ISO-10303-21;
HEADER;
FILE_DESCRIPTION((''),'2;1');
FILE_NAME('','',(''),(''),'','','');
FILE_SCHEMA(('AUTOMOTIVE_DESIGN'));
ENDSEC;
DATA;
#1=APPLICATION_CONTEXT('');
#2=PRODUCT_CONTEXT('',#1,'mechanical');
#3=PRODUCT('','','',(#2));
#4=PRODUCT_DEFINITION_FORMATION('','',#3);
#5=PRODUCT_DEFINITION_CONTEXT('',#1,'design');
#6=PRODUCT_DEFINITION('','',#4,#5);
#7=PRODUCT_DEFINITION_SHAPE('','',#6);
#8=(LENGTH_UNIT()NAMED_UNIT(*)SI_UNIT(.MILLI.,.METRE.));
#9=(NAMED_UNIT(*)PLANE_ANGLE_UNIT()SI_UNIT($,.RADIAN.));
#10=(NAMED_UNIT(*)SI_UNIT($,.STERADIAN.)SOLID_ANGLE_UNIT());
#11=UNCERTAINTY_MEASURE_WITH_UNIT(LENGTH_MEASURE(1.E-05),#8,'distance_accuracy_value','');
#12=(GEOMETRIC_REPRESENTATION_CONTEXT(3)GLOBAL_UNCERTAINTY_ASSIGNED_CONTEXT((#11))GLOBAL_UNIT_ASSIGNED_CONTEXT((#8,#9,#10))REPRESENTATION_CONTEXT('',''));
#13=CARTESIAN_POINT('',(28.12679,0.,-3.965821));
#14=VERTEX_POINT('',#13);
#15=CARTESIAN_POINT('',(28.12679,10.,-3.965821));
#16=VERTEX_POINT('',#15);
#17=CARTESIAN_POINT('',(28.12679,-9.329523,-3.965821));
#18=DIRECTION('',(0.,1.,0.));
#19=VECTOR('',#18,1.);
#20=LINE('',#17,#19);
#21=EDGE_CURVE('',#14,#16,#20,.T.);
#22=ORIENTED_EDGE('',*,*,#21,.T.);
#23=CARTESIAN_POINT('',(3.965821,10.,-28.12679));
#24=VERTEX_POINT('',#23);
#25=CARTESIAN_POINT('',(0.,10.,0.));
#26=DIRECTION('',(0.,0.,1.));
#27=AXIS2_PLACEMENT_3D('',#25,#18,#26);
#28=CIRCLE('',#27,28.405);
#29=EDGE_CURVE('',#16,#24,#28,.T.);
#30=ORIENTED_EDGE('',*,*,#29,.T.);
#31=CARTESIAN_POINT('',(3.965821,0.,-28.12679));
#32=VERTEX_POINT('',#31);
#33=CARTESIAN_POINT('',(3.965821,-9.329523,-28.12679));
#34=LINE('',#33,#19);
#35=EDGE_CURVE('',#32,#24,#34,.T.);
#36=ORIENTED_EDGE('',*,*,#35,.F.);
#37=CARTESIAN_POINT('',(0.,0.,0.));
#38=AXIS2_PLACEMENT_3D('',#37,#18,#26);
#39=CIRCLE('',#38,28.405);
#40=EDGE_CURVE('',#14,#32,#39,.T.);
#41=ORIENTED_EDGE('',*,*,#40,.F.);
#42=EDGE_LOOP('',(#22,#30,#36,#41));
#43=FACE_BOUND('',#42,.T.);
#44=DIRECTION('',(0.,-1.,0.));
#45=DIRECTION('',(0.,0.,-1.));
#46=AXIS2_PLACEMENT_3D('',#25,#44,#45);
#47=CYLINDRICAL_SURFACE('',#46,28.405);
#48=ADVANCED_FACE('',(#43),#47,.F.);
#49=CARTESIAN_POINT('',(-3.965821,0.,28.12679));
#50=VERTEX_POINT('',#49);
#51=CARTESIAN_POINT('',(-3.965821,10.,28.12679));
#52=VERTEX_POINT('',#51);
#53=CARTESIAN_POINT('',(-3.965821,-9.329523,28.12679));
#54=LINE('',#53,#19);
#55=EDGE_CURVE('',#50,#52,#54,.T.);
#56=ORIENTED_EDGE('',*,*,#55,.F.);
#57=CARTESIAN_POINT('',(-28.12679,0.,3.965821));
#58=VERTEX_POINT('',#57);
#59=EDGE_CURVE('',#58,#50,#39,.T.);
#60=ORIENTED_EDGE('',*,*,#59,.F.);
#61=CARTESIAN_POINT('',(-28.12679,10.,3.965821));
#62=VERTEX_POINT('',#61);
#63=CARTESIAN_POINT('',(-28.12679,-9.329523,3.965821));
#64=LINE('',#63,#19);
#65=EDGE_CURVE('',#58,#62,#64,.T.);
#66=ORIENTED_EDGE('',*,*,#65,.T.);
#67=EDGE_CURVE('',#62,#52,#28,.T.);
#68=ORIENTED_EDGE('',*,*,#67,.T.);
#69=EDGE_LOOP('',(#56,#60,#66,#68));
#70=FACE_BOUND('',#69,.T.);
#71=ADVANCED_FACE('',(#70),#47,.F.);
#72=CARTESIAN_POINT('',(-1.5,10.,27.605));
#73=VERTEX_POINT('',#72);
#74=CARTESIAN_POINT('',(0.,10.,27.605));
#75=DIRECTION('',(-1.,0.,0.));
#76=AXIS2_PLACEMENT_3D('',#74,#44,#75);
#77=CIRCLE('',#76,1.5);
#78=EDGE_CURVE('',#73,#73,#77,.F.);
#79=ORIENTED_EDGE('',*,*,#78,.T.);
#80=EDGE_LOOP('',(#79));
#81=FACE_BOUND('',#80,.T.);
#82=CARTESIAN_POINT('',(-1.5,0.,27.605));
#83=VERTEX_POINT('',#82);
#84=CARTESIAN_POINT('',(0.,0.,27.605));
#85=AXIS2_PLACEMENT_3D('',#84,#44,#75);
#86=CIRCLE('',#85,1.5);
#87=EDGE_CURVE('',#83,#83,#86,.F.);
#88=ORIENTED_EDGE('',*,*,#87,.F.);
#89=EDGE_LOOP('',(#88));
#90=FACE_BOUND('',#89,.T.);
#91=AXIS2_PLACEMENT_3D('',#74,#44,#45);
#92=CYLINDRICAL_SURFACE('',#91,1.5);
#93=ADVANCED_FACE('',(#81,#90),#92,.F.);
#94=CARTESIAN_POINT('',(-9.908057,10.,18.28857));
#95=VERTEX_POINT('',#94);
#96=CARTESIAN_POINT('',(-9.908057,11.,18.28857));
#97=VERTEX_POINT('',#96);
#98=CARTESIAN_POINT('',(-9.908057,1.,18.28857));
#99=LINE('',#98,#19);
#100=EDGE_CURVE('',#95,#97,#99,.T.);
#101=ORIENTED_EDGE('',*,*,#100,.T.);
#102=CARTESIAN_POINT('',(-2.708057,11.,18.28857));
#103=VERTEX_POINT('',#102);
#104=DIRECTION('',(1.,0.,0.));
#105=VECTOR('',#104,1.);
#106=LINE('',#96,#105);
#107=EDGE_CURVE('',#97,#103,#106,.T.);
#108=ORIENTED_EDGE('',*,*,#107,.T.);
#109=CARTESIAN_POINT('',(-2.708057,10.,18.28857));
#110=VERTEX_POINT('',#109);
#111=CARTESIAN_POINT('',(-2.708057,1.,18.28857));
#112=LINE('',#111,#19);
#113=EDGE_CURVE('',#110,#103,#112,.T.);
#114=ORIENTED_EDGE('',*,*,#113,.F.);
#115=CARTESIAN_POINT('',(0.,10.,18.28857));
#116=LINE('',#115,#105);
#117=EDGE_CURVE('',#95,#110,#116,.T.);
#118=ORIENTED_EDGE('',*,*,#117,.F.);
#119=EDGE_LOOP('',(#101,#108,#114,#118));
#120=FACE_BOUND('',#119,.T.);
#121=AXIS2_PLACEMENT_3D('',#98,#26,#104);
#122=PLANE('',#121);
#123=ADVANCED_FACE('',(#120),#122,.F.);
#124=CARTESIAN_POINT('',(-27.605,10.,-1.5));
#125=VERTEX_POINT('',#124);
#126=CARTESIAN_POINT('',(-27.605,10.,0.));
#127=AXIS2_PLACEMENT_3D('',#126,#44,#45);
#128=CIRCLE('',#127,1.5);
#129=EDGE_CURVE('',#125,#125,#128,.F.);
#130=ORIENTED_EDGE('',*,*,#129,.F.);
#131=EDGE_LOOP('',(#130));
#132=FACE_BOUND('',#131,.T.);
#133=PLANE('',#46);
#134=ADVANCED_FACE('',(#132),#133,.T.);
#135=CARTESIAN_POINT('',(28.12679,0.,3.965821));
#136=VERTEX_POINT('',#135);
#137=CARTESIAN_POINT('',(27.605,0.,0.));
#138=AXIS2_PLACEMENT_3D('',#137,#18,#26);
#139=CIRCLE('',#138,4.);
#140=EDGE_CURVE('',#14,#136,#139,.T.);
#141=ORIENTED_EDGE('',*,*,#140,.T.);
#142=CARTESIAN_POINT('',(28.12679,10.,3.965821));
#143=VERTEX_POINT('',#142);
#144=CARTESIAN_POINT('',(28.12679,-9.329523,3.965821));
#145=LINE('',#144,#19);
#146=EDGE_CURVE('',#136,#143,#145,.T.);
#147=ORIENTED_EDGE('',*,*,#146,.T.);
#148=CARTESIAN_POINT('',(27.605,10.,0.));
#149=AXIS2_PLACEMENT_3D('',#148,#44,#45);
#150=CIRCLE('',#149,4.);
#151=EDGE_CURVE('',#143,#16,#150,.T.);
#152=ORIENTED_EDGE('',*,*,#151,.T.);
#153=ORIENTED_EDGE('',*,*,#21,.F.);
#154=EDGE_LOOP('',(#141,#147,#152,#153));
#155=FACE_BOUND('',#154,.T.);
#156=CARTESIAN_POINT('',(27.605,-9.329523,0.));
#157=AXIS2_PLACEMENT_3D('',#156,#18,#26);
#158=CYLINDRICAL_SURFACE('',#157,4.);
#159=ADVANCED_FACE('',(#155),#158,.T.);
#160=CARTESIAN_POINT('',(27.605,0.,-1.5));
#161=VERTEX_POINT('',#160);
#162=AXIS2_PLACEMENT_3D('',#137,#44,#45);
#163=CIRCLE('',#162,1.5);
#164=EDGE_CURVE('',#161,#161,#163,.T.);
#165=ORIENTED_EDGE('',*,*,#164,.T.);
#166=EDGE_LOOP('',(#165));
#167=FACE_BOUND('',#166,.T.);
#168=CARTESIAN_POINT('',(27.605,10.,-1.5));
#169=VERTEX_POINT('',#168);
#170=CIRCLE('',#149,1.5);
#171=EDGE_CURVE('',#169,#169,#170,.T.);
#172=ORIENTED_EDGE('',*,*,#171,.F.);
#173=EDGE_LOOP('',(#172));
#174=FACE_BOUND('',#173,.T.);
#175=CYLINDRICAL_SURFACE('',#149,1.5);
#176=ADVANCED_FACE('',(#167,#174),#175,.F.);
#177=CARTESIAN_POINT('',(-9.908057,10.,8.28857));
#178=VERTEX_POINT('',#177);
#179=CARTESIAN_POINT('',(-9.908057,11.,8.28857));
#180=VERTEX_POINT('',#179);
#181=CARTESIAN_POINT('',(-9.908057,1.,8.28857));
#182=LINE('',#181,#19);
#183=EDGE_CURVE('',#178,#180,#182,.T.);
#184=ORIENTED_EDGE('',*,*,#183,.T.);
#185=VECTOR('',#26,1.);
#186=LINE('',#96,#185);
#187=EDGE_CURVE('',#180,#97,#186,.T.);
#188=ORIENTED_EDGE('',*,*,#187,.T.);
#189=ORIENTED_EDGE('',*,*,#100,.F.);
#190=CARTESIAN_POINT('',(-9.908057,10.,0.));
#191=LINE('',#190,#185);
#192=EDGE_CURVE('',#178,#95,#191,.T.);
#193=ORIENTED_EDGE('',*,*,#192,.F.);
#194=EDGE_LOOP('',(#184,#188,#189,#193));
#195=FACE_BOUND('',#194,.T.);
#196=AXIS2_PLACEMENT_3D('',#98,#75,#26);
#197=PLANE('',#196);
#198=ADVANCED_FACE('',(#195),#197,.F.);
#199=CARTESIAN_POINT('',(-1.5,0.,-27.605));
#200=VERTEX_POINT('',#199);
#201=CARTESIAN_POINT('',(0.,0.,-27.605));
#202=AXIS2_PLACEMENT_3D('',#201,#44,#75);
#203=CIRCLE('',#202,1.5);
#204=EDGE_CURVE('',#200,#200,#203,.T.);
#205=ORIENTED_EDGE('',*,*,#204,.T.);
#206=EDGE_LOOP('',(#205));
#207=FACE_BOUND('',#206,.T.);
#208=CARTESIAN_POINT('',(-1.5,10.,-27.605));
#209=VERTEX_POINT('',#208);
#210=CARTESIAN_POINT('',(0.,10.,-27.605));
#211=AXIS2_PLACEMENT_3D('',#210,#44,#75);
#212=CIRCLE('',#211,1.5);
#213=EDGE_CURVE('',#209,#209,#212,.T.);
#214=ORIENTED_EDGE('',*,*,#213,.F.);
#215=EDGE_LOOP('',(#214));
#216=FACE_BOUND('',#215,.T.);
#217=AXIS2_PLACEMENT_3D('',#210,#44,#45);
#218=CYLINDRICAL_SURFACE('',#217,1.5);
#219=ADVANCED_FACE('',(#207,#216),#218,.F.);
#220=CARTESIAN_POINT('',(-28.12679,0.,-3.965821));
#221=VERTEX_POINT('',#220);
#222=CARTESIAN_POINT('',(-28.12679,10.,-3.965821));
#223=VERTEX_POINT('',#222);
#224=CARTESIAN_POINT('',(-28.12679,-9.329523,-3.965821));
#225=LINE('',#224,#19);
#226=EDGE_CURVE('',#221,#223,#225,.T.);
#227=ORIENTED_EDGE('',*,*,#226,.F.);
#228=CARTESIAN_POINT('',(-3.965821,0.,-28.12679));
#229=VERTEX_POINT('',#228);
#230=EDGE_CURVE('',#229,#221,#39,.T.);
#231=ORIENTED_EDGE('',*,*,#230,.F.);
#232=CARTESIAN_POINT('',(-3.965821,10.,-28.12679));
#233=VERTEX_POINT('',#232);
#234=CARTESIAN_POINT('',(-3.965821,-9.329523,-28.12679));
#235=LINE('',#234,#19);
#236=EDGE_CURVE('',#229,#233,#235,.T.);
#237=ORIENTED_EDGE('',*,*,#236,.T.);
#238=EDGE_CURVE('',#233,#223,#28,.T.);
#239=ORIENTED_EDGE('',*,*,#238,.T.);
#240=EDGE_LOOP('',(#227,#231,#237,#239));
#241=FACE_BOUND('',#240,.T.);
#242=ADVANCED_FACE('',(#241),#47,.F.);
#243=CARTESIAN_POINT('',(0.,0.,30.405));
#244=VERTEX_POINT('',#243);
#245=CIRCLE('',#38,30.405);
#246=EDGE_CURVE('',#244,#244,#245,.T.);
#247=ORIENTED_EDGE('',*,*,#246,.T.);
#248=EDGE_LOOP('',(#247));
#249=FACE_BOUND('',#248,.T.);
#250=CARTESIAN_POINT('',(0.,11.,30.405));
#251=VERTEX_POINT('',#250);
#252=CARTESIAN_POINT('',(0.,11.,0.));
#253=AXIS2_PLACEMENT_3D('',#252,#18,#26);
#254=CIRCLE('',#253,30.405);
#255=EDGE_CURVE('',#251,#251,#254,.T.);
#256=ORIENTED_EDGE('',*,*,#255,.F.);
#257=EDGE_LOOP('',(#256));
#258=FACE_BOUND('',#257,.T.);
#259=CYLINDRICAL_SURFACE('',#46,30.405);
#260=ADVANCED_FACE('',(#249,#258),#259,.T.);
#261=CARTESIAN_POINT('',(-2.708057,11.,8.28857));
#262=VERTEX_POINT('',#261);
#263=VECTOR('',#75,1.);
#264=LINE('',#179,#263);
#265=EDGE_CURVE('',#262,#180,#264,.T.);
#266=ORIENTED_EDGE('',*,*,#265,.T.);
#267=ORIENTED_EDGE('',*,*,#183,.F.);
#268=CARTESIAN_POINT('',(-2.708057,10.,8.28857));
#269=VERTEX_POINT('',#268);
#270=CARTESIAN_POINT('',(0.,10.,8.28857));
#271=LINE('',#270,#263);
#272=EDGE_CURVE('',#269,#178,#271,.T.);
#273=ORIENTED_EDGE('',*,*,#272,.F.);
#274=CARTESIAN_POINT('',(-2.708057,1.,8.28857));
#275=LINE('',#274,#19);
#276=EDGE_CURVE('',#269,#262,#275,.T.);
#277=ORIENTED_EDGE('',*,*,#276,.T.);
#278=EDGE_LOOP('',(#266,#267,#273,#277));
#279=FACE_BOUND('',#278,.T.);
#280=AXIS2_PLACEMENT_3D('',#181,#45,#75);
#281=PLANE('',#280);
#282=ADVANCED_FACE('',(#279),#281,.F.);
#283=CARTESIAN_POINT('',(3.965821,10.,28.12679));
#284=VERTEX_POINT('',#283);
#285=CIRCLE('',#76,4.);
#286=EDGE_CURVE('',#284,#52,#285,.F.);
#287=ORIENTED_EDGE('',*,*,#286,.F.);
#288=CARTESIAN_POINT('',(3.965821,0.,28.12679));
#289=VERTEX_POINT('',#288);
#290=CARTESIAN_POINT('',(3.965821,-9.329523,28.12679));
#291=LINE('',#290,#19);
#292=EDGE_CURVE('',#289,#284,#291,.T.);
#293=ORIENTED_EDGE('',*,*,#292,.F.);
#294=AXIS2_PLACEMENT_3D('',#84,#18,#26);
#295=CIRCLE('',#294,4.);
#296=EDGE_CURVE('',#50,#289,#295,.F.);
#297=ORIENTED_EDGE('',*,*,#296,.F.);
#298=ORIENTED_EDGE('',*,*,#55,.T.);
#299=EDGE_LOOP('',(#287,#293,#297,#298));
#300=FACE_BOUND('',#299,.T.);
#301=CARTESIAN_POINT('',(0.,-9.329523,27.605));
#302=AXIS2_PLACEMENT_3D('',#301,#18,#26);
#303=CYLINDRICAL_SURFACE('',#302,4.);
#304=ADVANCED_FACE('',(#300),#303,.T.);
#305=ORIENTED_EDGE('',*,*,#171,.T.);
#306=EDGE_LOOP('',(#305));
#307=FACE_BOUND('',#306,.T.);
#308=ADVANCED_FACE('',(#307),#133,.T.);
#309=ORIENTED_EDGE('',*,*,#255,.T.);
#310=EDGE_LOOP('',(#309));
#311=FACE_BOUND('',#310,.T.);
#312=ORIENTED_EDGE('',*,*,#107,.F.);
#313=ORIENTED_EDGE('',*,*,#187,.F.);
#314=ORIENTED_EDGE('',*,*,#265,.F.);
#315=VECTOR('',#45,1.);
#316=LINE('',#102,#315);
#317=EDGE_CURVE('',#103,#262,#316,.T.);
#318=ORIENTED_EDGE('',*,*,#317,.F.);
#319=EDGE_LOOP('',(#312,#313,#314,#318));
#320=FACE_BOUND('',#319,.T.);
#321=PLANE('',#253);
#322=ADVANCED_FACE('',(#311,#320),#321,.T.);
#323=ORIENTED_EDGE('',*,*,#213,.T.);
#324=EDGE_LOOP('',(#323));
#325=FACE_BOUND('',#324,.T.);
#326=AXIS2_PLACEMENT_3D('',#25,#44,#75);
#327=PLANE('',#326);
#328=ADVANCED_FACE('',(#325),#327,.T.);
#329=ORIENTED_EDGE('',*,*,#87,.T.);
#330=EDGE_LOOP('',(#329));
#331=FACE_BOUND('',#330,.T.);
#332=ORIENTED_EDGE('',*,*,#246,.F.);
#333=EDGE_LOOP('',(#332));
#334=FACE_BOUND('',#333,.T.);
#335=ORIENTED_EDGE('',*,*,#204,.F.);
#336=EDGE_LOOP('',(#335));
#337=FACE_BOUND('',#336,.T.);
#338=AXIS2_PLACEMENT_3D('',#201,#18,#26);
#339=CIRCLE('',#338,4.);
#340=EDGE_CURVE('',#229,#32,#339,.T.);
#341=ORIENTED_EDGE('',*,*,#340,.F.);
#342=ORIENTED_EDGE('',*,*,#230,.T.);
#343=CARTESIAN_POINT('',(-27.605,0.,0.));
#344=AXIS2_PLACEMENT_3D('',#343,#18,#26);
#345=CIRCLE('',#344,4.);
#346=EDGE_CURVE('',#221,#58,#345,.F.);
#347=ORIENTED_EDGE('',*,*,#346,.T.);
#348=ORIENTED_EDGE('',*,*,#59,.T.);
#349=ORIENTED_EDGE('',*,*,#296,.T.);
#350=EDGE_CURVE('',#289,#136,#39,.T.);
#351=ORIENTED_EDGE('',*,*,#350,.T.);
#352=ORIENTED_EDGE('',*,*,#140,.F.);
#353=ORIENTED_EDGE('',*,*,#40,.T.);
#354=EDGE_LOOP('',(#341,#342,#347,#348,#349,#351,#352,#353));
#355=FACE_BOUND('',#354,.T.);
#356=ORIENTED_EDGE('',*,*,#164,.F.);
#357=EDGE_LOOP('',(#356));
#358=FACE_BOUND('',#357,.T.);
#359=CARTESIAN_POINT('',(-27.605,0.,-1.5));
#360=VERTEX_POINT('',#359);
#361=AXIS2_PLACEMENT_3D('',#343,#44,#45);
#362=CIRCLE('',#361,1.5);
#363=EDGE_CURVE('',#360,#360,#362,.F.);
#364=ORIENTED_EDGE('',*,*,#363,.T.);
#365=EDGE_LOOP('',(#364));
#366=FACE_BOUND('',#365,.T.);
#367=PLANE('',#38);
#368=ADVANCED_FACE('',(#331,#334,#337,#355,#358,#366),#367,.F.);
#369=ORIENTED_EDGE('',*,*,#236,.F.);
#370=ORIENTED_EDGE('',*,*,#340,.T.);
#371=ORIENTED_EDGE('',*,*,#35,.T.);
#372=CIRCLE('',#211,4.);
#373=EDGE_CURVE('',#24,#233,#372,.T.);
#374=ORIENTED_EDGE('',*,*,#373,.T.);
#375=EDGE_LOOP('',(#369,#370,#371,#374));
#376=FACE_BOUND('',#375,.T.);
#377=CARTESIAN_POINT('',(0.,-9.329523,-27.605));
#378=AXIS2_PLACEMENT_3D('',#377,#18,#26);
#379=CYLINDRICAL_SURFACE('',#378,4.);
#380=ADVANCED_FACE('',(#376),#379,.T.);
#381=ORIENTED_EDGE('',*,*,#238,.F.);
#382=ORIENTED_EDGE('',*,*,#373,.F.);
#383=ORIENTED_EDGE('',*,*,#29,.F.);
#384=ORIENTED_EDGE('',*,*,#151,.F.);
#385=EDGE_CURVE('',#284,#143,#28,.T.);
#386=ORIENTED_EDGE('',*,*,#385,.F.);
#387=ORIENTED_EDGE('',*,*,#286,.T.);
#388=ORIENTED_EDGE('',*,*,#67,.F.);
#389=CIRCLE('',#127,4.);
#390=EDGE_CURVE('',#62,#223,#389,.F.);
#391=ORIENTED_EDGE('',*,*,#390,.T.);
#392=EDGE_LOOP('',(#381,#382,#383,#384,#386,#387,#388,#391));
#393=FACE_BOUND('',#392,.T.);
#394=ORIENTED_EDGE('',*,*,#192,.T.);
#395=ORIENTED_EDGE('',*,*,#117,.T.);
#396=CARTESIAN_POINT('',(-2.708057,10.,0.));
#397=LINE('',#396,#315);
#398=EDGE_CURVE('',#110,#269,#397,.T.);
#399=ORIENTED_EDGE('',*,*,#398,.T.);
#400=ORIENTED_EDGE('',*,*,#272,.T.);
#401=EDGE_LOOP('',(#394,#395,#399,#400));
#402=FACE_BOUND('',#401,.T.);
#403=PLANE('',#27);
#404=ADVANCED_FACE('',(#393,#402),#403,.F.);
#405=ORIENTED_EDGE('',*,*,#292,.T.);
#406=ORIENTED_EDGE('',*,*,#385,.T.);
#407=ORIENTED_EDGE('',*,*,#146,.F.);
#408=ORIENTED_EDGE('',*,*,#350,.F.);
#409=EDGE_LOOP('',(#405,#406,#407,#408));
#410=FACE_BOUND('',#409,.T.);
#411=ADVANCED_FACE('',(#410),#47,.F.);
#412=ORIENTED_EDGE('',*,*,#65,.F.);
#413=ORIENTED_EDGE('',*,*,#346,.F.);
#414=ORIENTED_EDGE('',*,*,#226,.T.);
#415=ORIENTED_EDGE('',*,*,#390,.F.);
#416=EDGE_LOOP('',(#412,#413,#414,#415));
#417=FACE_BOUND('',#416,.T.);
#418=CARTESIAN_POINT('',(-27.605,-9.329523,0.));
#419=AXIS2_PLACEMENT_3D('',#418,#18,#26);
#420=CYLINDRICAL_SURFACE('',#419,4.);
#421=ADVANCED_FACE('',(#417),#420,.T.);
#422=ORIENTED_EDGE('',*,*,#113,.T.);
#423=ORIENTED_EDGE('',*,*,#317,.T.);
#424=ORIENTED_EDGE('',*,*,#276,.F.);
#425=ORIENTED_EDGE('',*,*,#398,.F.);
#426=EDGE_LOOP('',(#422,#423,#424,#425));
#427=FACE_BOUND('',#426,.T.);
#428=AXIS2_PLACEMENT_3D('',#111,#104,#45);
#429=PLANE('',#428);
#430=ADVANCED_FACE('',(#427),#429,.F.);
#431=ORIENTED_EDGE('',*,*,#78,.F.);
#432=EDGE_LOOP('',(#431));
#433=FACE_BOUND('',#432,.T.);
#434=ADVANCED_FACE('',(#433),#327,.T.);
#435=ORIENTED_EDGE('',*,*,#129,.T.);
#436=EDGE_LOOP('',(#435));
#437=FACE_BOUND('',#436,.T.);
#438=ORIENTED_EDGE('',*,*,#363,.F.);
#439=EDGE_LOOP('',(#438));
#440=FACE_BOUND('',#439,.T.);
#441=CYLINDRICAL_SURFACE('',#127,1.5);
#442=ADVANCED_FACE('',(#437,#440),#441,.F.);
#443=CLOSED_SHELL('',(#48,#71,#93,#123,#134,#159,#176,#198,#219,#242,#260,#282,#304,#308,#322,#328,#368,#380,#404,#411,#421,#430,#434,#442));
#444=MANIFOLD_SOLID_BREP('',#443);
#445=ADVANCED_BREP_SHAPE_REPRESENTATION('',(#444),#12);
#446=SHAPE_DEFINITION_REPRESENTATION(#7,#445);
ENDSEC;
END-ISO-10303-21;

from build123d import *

# Parameters (mm, degrees)
SKIZZE1_R                       = 30.405
SKIZZE1_R_2                     = 28.405
AUFSATZ_LINEAR_AUSTRAGEN1_DEPTH = 10
SKIZZE2_R                       = 30.405
AUFSATZ_LINEAR_AUSTRAGEN2_DEPTH = 1
AUFSATZ_LINEAR_START            = 10
AUFSATZ_LINEAR_AUSTRAGEN3_DEPTH = 10
SKIZZE5_R                       = 1.5
SCHNITT_LINEAR_AUSTRAGEN2_DEPTH = 10
SKIZZE6_W                       = 7.2
SKIZZE6_H                       = 10
SCHNITT_LINEAR_AUSTRAGEN3_DEPTH = 10
KREISMUSTER1_COUNT              = 2
KREISMUSTER1_ANGLE              = 90


with BuildPart() as part:
    # Skizze1 → Aufsatz-Linear austragen1 (new body)
    with BuildSketch(Plane(origin=(0, 0, 0), x_dir=(1, 0, 0), z_dir=(0, 1, 0))):
        with Locations(Location((0, 0, 0), (0, 0, 270))):
            Circle(SKIZZE1_R)
        with Locations(Location((0, 0, 0), (0, 0, 270))):
            Circle(SKIZZE1_R_2, mode=Mode.SUBTRACT)
    extrude(amount=AUFSATZ_LINEAR_AUSTRAGEN1_DEPTH)

    # Skizze2 → Aufsatz-Linear austragen2 (add)
    with BuildSketch(Plane(origin=(0, 10, 0), x_dir=(1, 0, 0), z_dir=(0, 1, 0))):
        with Locations(Location((0, 0, 0), (0, 0, 270))):
            Circle(SKIZZE2_R)
    extrude(amount=AUFSATZ_LINEAR_AUSTRAGEN2_DEPTH)

    # Skizze4 → Aufsatz-Linear austragen3 (add)
    with BuildSketch(Plane.XZ.offset(-10).offset(AUFSATZ_LINEAR_START)):
        with BuildLine():
            ThreePointArc((-28.126789531, -3.965820935), (-23.605, 0), (-28.126789531, 3.965820935))
            ThreePointArc((-28.126789531, 3.965820935), (-28.405, 0), (-28.126789531, -3.965820935))
        make_face()
        with BuildLine():
            ThreePointArc((28.405, 0), (28.33536202, 1.987783738), (28.126789531, 3.965820935))
            ThreePointArc((28.126789531, 3.965820935), (23.605, 0), (28.126789531, -3.965820935))
            ThreePointArc((28.126789531, -3.965820935), (28.33536202, -1.987783738), (28.405, 0))
        make_face()
    aufsatz_linear_austragen3 = extrude(amount=-AUFSATZ_LINEAR_AUSTRAGEN3_DEPTH)

    # Skizze5 → Schnitt-Linear austragen2 (cut)
    with BuildSketch(Plane.XZ):
        with Locations(Location((-27.605, 0, 0), (0, 0, 270))):
            Circle(SKIZZE5_R)
        with BuildLine():
            ThreePointArc((29.105, 0), (27.605, 1.5), (26.105, 0))
            Line((26.105, 0), (29.105, 0))
        make_face()
        with BuildLine():
            Line((29.105, 0), (26.105, 0))
            ThreePointArc((26.105, 0), (27.605, -1.5), (29.105, 0))
        make_face()
    schnitt_linear_austragen2 = extrude(amount=-SCHNITT_LINEAR_AUSTRAGEN2_DEPTH, mode=Mode.SUBTRACT)

    # Skizze6 → Schnitt-Linear austragen3 (cut)
    with BuildSketch(Plane(origin=(0, 11, 0), x_dir=(1, 0, 0), z_dir=(0, 1, 0))):
        with Locations((-6.308057451, -13.288570201)):
            Rectangle(SKIZZE6_W, SKIZZE6_H)
    extrude(amount=-SCHNITT_LINEAR_AUSTRAGEN3_DEPTH, mode=Mode.SUBTRACT)

    # Kreismuster1: Aufsatz-Linear austragen3, Schnitt-Linear austragen2 ×2 about axis
    kreismuster1_axis = Axis((0, 0, 0), (0, 1, 0))
    add([aufsatz_linear_austragen3.rotate(kreismuster1_axis, i * KREISMUSTER1_ANGLE / (KREISMUSTER1_COUNT - 1)) for i in range(1, KREISMUSTER1_COUNT)])
    add([schnitt_linear_austragen2.rotate(kreismuster1_axis, i * KREISMUSTER1_ANGLE / (KREISMUSTER1_COUNT - 1)) for i in range(1, KREISMUSTER1_COUNT)], mode=Mode.SUBTRACT)


solid = part.part
